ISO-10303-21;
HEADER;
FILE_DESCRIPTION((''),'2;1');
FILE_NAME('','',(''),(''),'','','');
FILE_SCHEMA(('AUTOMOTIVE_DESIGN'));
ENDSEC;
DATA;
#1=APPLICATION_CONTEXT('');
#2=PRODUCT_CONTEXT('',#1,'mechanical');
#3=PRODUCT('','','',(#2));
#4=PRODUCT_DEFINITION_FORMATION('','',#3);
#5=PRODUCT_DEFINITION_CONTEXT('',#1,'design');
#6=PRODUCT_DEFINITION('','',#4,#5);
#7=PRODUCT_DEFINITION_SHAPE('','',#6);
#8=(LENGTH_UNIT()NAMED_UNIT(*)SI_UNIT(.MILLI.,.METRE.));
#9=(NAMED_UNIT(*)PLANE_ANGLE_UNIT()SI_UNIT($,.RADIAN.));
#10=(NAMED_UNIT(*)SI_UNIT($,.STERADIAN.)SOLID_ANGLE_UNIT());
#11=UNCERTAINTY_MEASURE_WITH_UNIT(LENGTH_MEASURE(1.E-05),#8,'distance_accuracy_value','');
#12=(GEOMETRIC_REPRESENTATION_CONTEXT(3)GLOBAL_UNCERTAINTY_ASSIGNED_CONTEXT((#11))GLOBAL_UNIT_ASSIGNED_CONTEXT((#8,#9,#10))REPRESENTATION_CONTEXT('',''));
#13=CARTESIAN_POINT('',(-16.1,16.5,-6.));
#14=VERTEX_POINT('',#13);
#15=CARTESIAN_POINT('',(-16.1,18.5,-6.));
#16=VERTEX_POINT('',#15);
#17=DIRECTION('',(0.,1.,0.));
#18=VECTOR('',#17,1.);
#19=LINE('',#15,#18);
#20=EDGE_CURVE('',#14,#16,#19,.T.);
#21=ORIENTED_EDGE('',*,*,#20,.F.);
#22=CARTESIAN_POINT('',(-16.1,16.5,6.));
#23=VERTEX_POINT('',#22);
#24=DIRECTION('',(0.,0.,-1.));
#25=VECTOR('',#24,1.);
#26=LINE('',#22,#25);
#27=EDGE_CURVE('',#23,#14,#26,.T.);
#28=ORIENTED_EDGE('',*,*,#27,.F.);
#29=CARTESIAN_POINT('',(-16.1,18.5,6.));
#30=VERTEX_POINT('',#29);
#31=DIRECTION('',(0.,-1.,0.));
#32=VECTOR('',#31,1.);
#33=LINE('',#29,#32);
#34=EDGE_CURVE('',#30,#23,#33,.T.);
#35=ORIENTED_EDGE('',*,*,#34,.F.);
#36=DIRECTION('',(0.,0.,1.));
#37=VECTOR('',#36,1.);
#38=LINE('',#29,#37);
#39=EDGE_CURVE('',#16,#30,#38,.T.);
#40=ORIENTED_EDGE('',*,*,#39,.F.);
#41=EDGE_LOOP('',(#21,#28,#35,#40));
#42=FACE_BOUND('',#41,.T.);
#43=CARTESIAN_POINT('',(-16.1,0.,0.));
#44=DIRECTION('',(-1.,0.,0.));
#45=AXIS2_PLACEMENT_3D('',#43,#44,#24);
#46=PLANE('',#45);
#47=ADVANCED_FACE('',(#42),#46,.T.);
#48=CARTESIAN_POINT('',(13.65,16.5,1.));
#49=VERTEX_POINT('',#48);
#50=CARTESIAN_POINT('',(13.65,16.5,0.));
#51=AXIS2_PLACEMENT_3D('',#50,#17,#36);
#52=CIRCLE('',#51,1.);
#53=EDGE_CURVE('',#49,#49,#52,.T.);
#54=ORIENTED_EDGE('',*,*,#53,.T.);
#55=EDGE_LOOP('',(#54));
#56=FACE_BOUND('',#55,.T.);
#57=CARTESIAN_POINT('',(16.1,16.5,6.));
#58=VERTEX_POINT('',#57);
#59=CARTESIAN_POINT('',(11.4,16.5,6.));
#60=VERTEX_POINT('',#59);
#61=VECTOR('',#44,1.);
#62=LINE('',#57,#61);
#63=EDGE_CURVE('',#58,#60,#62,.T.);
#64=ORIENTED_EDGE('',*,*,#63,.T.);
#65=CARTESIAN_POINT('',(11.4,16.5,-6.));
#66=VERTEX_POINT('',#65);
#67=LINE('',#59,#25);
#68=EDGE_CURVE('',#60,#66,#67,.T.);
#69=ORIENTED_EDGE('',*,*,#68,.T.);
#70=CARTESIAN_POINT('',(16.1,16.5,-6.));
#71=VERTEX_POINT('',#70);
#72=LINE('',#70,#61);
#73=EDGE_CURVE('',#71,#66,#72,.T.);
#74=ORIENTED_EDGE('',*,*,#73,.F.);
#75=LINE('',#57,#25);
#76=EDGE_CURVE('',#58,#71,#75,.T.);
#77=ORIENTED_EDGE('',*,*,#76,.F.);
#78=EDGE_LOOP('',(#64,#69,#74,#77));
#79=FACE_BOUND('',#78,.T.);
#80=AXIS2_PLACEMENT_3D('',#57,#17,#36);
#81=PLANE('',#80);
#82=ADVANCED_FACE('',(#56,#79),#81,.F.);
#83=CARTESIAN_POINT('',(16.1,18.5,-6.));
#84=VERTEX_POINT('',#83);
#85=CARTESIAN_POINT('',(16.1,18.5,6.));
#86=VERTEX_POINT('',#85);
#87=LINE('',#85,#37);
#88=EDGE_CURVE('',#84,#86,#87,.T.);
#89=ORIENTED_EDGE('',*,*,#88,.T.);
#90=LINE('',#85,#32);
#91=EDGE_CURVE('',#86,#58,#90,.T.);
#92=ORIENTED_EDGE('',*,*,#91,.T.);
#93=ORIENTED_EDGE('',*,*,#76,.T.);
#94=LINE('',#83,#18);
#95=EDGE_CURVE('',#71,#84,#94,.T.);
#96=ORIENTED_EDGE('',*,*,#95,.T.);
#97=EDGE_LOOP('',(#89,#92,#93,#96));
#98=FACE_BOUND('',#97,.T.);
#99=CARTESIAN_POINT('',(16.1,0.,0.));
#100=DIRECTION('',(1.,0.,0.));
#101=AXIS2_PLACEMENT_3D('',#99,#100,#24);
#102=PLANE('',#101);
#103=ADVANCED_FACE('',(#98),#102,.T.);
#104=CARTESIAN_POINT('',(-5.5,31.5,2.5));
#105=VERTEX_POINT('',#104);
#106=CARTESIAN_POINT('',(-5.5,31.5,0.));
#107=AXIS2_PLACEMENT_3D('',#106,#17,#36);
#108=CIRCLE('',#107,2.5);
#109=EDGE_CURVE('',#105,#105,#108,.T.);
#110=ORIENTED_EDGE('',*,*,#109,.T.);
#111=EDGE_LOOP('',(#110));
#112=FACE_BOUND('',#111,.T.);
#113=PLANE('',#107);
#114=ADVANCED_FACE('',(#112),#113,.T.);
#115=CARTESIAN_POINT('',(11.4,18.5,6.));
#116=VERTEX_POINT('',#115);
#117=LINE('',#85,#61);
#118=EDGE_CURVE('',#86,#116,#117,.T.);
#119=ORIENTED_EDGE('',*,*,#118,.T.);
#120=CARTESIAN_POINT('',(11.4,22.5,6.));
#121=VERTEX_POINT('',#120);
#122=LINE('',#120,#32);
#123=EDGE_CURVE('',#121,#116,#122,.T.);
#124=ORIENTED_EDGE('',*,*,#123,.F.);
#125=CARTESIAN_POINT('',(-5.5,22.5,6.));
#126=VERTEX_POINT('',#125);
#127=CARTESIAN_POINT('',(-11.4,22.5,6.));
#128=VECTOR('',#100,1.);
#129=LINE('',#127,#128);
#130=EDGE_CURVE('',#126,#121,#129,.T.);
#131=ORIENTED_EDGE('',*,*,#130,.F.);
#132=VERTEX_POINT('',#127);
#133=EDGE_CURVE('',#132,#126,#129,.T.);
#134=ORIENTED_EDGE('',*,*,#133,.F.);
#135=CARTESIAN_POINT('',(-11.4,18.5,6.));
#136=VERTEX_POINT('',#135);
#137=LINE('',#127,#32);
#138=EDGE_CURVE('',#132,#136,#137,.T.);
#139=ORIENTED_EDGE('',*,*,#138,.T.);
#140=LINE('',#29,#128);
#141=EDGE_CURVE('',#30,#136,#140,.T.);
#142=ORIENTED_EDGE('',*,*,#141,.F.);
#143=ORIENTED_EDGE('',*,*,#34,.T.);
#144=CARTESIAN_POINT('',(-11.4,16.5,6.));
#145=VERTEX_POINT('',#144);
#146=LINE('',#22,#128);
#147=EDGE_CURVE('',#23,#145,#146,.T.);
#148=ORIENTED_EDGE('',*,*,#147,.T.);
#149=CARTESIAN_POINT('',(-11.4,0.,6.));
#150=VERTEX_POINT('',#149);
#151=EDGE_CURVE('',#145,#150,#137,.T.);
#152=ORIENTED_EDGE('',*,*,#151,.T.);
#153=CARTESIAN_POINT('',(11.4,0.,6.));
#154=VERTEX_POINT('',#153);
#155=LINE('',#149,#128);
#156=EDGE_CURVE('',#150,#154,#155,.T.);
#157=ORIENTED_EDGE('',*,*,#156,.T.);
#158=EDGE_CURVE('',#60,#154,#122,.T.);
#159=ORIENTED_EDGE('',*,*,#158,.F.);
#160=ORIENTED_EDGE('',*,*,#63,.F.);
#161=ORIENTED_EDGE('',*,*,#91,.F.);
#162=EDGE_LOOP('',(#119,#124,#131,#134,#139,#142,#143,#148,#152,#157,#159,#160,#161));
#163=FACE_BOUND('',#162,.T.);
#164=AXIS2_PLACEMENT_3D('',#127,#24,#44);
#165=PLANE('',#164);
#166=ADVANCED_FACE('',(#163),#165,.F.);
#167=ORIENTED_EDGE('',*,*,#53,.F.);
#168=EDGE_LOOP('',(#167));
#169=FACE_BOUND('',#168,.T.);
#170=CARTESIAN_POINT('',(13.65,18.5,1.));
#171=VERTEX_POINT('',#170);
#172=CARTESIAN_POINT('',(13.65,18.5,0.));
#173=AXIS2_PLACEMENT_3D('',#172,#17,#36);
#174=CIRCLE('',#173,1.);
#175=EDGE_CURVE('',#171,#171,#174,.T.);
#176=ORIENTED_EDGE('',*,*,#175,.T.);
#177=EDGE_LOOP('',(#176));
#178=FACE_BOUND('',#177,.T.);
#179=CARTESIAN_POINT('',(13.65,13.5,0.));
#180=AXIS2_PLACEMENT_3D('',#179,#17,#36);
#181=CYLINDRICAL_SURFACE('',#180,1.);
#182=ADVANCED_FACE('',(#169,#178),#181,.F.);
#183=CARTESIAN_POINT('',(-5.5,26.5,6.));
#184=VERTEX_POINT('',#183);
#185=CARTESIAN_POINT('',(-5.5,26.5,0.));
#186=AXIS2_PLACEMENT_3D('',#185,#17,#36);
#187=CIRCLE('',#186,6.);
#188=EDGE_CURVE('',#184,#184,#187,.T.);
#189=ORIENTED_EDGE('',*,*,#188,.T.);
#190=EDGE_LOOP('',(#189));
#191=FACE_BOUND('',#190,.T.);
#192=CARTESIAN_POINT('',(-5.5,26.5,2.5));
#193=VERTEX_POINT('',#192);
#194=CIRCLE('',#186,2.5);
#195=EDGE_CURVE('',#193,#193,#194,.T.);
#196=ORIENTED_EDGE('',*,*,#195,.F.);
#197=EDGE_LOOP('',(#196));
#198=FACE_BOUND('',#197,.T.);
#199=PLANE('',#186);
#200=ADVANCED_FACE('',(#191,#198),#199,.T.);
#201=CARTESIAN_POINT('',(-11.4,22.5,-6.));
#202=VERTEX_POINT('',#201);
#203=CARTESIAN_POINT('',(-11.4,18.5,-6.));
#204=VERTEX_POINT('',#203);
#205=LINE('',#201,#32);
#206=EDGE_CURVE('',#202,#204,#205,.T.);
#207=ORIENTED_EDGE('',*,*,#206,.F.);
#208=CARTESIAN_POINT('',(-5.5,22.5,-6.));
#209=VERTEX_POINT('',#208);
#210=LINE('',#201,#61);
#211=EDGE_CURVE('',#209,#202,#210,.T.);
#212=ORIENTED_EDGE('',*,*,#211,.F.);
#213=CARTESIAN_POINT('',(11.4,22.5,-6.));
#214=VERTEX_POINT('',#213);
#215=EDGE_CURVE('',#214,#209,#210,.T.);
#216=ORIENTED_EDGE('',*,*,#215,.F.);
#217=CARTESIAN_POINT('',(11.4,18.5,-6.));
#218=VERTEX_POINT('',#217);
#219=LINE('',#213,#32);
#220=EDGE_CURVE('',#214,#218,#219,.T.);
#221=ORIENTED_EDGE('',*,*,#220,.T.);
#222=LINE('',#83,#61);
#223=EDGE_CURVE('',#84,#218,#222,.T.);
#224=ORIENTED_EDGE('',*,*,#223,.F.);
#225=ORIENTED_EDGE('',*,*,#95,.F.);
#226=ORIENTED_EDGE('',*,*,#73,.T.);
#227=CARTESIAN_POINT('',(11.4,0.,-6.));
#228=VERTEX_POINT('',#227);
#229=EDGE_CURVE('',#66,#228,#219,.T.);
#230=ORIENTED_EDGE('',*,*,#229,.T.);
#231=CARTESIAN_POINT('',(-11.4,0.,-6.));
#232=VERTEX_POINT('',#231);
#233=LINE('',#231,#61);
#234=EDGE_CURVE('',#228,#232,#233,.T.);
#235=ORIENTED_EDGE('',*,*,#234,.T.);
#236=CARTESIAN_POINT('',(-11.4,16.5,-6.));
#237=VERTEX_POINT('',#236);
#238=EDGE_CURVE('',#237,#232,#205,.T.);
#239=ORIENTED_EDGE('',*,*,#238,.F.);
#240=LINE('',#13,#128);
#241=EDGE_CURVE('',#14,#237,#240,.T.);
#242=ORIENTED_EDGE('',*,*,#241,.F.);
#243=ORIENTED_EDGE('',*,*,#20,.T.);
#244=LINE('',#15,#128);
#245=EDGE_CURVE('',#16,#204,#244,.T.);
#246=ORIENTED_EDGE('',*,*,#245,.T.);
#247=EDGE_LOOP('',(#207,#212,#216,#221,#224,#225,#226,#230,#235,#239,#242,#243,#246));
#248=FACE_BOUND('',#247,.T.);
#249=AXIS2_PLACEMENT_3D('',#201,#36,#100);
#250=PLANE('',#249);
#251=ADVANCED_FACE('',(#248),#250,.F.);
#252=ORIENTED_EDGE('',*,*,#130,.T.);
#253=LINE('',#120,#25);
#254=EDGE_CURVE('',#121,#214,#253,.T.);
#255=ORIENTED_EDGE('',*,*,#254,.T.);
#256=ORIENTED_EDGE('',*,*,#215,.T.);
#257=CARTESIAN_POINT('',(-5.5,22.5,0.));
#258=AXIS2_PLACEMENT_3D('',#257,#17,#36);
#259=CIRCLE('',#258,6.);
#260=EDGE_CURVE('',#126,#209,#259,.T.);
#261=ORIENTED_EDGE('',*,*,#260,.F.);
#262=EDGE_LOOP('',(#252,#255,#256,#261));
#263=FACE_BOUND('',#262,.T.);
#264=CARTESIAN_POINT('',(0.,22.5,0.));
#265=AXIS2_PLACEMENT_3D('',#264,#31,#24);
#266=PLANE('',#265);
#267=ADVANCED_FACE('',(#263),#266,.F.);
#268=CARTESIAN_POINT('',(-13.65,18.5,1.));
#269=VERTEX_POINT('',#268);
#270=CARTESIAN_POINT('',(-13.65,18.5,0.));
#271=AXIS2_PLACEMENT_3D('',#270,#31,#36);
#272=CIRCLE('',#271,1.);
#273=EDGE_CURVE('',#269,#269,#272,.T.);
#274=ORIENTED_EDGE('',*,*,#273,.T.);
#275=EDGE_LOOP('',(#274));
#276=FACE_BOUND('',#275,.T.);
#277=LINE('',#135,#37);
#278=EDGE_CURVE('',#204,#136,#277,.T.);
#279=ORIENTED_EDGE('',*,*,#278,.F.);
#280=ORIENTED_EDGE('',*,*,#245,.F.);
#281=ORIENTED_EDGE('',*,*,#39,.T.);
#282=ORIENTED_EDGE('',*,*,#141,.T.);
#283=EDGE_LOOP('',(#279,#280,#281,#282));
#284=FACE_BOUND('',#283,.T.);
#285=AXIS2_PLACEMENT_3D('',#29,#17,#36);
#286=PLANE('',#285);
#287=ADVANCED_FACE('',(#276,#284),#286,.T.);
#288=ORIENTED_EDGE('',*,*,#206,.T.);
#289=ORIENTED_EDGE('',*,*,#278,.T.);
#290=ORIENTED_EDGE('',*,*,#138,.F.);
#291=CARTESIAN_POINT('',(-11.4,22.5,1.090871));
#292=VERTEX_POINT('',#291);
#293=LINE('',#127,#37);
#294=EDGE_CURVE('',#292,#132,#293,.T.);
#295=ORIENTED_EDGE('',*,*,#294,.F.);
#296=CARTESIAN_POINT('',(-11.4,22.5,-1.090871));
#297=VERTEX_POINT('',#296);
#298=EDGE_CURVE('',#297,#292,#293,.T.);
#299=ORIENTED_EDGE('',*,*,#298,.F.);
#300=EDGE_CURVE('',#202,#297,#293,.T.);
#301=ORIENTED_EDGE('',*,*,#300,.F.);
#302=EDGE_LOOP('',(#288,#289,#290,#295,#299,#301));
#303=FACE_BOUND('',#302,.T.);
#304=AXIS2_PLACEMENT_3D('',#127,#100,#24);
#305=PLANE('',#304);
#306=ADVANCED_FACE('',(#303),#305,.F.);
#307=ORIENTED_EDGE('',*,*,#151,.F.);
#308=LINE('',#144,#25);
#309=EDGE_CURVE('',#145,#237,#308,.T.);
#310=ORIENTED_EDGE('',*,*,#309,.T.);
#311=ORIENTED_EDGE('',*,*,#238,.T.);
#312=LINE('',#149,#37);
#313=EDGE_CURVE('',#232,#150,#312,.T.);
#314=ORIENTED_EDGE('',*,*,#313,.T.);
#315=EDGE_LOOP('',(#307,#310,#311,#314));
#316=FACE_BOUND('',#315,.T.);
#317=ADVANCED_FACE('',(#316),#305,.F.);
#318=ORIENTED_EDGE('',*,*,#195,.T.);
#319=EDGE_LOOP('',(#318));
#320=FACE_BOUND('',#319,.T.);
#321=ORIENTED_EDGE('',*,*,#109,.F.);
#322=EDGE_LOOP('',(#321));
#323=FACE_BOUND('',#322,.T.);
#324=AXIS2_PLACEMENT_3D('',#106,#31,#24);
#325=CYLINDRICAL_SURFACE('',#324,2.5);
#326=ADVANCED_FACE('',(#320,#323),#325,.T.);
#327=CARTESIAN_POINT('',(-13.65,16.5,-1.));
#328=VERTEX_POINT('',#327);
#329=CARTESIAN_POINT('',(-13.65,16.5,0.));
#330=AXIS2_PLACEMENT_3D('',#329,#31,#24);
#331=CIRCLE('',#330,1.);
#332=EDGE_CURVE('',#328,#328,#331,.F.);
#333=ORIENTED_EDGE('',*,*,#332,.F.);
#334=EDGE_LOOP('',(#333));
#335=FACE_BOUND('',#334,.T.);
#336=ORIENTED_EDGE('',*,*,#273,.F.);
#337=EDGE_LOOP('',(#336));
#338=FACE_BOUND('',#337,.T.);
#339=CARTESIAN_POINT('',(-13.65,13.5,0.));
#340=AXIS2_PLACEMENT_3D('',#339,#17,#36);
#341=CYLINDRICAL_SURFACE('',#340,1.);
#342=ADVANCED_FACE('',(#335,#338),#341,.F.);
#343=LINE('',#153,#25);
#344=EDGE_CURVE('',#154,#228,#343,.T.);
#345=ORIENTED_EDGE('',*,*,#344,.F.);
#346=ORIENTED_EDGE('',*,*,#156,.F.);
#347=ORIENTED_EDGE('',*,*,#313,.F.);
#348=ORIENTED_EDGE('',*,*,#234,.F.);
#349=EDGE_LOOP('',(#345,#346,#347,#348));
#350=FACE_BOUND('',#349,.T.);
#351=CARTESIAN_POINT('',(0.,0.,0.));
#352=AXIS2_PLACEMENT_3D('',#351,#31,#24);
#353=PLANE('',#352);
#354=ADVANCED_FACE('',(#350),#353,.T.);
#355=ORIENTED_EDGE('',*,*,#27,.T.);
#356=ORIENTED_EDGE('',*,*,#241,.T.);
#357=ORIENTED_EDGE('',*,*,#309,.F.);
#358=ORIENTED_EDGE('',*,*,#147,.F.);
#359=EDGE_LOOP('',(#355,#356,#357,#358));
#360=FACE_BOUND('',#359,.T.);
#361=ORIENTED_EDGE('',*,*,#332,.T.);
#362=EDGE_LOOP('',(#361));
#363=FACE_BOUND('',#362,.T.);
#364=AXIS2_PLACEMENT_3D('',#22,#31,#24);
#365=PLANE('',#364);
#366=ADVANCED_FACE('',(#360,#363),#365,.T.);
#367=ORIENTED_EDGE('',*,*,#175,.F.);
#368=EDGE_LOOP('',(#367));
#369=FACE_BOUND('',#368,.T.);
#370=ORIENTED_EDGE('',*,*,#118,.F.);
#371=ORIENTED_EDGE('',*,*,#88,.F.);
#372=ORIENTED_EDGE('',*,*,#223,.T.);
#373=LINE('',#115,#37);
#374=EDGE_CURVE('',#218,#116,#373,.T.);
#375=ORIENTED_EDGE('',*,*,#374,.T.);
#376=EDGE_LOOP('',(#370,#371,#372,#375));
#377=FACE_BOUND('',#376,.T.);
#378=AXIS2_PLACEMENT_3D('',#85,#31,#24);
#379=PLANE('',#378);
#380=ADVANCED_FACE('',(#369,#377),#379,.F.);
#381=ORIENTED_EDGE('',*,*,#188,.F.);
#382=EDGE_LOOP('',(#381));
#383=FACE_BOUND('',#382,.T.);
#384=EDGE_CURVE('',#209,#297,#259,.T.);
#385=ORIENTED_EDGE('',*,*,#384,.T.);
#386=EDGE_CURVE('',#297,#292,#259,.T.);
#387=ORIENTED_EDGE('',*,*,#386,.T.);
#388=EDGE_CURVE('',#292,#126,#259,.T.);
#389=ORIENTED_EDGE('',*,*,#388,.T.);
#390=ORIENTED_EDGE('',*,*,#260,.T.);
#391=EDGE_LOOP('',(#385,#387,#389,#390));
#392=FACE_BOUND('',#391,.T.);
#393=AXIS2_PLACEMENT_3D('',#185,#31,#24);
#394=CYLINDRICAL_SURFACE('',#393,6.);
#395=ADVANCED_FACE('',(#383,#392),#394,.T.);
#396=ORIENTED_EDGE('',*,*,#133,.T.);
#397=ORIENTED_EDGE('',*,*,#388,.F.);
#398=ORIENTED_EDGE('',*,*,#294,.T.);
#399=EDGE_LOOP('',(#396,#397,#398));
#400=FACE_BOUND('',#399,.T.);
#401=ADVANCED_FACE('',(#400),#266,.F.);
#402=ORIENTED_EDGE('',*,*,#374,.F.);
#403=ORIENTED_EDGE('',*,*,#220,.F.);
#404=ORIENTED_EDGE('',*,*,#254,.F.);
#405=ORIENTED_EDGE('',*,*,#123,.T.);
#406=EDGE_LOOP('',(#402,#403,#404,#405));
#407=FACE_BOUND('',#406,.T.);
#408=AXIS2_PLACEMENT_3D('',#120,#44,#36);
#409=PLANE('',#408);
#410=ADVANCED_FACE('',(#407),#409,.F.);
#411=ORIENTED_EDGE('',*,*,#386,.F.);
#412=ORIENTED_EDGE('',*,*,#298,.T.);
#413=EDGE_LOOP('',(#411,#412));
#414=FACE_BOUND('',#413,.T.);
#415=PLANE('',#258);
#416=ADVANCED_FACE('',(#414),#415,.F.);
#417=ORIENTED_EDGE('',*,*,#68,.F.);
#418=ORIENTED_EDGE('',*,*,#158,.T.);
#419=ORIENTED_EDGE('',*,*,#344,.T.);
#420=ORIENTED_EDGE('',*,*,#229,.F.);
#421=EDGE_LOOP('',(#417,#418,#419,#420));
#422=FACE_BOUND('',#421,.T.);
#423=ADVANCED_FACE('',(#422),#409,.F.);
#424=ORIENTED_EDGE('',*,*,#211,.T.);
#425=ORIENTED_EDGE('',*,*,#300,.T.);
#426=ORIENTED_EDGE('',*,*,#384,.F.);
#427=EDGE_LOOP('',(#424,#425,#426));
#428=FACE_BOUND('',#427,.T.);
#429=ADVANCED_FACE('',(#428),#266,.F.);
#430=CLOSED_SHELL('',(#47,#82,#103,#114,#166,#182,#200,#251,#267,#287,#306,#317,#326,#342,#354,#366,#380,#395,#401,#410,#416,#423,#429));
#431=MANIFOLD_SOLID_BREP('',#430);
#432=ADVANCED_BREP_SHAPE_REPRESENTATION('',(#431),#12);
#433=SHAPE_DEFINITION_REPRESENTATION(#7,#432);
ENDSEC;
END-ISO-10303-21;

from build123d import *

# Parameters (mm, degrees)
SKETCH1_W           = 22.8
SKETCH1_H           = 12
BOSS_EXTRUDE1_DEPTH = 22.5
SKETCH2_W           = 12
SKETCH2_H           = 2
BOSS_EXTRUDE2_DEPTH = 4.7
SKETCH3_R           = 6
BOSS_EXTRUDE3_DEPTH = 4
SKETCH4_R           = 2.5
BOSS_EXTRUDE4_DEPTH = 5
SKETCH5_R           = 1
CUT_EXTRUDE1_DEPTH  = 5


with BuildPart() as part:
    # Sketch1 → Boss-Extrude1 (new body)
    with BuildSketch(Plane(origin=(0, 0, 0), x_dir=(1, 0, 0), z_dir=(0, 1, 0))):
        Rectangle(SKETCH1_W, SKETCH1_H)
    extrude(amount=BOSS_EXTRUDE1_DEPTH)

    # Sketch2 → Boss-Extrude2 (add)
    with BuildSketch(Plane(origin=(11.4, 0, 0), x_dir=(0, 0, -1), z_dir=(1, 0, 0))):
        with Locations((0, 17.5)):
            Rectangle(SKETCH2_W, SKETCH2_H)
    boss_extrude2 = extrude(amount=BOSS_EXTRUDE2_DEPTH)

    # Mirror1: Boss-Extrude2 across plane
    add(boss_extrude2.mirror(Plane(origin=(0, 0, 0), x_dir=(0, 0, 1), z_dir=(1, 0, 0))))

    # Sketch3 → Boss-Extrude3 (add)
    with BuildSketch(Plane(origin=(0, 22.5, 0), x_dir=(1, 0, 0), z_dir=(0, 1, 0))):
        with Locations(Location((-5.5, 0, 0), (0, 0, 270))):
            Circle(SKETCH3_R)
    extrude(amount=BOSS_EXTRUDE3_DEPTH)

    # Sketch4 → Boss-Extrude4 (add)
    with BuildSketch(Plane(origin=(0, 26.5, 0), x_dir=(1, 0, 0), z_dir=(0, 1, 0))):
        with Locations(Location((-5.5, 0, 0), (0, 0, 270))):
            Circle(SKETCH4_R)
    extrude(amount=BOSS_EXTRUDE4_DEPTH)

    # Sketch5 → Cut-Extrude1 (cut)
    with BuildSketch(Plane(origin=(0, 18.5, 0), x_dir=(1, 0, 0), z_dir=(0, 1, 0))):
        with Locations(Location((13.65, 0, 0), (0, 0, 270))):
            Circle(SKETCH5_R)
    cut_extrude1 = extrude(amount=-CUT_EXTRUDE1_DEPTH, mode=Mode.SUBTRACT)

    # Mirror2: Cut-Extrude1 across plane
    add(cut_extrude1.mirror(Plane(origin=(0, 0, 0), x_dir=(0, 0, 1), z_dir=(1, 0, 0))), mode=Mode.SUBTRACT)


solid = part.part
